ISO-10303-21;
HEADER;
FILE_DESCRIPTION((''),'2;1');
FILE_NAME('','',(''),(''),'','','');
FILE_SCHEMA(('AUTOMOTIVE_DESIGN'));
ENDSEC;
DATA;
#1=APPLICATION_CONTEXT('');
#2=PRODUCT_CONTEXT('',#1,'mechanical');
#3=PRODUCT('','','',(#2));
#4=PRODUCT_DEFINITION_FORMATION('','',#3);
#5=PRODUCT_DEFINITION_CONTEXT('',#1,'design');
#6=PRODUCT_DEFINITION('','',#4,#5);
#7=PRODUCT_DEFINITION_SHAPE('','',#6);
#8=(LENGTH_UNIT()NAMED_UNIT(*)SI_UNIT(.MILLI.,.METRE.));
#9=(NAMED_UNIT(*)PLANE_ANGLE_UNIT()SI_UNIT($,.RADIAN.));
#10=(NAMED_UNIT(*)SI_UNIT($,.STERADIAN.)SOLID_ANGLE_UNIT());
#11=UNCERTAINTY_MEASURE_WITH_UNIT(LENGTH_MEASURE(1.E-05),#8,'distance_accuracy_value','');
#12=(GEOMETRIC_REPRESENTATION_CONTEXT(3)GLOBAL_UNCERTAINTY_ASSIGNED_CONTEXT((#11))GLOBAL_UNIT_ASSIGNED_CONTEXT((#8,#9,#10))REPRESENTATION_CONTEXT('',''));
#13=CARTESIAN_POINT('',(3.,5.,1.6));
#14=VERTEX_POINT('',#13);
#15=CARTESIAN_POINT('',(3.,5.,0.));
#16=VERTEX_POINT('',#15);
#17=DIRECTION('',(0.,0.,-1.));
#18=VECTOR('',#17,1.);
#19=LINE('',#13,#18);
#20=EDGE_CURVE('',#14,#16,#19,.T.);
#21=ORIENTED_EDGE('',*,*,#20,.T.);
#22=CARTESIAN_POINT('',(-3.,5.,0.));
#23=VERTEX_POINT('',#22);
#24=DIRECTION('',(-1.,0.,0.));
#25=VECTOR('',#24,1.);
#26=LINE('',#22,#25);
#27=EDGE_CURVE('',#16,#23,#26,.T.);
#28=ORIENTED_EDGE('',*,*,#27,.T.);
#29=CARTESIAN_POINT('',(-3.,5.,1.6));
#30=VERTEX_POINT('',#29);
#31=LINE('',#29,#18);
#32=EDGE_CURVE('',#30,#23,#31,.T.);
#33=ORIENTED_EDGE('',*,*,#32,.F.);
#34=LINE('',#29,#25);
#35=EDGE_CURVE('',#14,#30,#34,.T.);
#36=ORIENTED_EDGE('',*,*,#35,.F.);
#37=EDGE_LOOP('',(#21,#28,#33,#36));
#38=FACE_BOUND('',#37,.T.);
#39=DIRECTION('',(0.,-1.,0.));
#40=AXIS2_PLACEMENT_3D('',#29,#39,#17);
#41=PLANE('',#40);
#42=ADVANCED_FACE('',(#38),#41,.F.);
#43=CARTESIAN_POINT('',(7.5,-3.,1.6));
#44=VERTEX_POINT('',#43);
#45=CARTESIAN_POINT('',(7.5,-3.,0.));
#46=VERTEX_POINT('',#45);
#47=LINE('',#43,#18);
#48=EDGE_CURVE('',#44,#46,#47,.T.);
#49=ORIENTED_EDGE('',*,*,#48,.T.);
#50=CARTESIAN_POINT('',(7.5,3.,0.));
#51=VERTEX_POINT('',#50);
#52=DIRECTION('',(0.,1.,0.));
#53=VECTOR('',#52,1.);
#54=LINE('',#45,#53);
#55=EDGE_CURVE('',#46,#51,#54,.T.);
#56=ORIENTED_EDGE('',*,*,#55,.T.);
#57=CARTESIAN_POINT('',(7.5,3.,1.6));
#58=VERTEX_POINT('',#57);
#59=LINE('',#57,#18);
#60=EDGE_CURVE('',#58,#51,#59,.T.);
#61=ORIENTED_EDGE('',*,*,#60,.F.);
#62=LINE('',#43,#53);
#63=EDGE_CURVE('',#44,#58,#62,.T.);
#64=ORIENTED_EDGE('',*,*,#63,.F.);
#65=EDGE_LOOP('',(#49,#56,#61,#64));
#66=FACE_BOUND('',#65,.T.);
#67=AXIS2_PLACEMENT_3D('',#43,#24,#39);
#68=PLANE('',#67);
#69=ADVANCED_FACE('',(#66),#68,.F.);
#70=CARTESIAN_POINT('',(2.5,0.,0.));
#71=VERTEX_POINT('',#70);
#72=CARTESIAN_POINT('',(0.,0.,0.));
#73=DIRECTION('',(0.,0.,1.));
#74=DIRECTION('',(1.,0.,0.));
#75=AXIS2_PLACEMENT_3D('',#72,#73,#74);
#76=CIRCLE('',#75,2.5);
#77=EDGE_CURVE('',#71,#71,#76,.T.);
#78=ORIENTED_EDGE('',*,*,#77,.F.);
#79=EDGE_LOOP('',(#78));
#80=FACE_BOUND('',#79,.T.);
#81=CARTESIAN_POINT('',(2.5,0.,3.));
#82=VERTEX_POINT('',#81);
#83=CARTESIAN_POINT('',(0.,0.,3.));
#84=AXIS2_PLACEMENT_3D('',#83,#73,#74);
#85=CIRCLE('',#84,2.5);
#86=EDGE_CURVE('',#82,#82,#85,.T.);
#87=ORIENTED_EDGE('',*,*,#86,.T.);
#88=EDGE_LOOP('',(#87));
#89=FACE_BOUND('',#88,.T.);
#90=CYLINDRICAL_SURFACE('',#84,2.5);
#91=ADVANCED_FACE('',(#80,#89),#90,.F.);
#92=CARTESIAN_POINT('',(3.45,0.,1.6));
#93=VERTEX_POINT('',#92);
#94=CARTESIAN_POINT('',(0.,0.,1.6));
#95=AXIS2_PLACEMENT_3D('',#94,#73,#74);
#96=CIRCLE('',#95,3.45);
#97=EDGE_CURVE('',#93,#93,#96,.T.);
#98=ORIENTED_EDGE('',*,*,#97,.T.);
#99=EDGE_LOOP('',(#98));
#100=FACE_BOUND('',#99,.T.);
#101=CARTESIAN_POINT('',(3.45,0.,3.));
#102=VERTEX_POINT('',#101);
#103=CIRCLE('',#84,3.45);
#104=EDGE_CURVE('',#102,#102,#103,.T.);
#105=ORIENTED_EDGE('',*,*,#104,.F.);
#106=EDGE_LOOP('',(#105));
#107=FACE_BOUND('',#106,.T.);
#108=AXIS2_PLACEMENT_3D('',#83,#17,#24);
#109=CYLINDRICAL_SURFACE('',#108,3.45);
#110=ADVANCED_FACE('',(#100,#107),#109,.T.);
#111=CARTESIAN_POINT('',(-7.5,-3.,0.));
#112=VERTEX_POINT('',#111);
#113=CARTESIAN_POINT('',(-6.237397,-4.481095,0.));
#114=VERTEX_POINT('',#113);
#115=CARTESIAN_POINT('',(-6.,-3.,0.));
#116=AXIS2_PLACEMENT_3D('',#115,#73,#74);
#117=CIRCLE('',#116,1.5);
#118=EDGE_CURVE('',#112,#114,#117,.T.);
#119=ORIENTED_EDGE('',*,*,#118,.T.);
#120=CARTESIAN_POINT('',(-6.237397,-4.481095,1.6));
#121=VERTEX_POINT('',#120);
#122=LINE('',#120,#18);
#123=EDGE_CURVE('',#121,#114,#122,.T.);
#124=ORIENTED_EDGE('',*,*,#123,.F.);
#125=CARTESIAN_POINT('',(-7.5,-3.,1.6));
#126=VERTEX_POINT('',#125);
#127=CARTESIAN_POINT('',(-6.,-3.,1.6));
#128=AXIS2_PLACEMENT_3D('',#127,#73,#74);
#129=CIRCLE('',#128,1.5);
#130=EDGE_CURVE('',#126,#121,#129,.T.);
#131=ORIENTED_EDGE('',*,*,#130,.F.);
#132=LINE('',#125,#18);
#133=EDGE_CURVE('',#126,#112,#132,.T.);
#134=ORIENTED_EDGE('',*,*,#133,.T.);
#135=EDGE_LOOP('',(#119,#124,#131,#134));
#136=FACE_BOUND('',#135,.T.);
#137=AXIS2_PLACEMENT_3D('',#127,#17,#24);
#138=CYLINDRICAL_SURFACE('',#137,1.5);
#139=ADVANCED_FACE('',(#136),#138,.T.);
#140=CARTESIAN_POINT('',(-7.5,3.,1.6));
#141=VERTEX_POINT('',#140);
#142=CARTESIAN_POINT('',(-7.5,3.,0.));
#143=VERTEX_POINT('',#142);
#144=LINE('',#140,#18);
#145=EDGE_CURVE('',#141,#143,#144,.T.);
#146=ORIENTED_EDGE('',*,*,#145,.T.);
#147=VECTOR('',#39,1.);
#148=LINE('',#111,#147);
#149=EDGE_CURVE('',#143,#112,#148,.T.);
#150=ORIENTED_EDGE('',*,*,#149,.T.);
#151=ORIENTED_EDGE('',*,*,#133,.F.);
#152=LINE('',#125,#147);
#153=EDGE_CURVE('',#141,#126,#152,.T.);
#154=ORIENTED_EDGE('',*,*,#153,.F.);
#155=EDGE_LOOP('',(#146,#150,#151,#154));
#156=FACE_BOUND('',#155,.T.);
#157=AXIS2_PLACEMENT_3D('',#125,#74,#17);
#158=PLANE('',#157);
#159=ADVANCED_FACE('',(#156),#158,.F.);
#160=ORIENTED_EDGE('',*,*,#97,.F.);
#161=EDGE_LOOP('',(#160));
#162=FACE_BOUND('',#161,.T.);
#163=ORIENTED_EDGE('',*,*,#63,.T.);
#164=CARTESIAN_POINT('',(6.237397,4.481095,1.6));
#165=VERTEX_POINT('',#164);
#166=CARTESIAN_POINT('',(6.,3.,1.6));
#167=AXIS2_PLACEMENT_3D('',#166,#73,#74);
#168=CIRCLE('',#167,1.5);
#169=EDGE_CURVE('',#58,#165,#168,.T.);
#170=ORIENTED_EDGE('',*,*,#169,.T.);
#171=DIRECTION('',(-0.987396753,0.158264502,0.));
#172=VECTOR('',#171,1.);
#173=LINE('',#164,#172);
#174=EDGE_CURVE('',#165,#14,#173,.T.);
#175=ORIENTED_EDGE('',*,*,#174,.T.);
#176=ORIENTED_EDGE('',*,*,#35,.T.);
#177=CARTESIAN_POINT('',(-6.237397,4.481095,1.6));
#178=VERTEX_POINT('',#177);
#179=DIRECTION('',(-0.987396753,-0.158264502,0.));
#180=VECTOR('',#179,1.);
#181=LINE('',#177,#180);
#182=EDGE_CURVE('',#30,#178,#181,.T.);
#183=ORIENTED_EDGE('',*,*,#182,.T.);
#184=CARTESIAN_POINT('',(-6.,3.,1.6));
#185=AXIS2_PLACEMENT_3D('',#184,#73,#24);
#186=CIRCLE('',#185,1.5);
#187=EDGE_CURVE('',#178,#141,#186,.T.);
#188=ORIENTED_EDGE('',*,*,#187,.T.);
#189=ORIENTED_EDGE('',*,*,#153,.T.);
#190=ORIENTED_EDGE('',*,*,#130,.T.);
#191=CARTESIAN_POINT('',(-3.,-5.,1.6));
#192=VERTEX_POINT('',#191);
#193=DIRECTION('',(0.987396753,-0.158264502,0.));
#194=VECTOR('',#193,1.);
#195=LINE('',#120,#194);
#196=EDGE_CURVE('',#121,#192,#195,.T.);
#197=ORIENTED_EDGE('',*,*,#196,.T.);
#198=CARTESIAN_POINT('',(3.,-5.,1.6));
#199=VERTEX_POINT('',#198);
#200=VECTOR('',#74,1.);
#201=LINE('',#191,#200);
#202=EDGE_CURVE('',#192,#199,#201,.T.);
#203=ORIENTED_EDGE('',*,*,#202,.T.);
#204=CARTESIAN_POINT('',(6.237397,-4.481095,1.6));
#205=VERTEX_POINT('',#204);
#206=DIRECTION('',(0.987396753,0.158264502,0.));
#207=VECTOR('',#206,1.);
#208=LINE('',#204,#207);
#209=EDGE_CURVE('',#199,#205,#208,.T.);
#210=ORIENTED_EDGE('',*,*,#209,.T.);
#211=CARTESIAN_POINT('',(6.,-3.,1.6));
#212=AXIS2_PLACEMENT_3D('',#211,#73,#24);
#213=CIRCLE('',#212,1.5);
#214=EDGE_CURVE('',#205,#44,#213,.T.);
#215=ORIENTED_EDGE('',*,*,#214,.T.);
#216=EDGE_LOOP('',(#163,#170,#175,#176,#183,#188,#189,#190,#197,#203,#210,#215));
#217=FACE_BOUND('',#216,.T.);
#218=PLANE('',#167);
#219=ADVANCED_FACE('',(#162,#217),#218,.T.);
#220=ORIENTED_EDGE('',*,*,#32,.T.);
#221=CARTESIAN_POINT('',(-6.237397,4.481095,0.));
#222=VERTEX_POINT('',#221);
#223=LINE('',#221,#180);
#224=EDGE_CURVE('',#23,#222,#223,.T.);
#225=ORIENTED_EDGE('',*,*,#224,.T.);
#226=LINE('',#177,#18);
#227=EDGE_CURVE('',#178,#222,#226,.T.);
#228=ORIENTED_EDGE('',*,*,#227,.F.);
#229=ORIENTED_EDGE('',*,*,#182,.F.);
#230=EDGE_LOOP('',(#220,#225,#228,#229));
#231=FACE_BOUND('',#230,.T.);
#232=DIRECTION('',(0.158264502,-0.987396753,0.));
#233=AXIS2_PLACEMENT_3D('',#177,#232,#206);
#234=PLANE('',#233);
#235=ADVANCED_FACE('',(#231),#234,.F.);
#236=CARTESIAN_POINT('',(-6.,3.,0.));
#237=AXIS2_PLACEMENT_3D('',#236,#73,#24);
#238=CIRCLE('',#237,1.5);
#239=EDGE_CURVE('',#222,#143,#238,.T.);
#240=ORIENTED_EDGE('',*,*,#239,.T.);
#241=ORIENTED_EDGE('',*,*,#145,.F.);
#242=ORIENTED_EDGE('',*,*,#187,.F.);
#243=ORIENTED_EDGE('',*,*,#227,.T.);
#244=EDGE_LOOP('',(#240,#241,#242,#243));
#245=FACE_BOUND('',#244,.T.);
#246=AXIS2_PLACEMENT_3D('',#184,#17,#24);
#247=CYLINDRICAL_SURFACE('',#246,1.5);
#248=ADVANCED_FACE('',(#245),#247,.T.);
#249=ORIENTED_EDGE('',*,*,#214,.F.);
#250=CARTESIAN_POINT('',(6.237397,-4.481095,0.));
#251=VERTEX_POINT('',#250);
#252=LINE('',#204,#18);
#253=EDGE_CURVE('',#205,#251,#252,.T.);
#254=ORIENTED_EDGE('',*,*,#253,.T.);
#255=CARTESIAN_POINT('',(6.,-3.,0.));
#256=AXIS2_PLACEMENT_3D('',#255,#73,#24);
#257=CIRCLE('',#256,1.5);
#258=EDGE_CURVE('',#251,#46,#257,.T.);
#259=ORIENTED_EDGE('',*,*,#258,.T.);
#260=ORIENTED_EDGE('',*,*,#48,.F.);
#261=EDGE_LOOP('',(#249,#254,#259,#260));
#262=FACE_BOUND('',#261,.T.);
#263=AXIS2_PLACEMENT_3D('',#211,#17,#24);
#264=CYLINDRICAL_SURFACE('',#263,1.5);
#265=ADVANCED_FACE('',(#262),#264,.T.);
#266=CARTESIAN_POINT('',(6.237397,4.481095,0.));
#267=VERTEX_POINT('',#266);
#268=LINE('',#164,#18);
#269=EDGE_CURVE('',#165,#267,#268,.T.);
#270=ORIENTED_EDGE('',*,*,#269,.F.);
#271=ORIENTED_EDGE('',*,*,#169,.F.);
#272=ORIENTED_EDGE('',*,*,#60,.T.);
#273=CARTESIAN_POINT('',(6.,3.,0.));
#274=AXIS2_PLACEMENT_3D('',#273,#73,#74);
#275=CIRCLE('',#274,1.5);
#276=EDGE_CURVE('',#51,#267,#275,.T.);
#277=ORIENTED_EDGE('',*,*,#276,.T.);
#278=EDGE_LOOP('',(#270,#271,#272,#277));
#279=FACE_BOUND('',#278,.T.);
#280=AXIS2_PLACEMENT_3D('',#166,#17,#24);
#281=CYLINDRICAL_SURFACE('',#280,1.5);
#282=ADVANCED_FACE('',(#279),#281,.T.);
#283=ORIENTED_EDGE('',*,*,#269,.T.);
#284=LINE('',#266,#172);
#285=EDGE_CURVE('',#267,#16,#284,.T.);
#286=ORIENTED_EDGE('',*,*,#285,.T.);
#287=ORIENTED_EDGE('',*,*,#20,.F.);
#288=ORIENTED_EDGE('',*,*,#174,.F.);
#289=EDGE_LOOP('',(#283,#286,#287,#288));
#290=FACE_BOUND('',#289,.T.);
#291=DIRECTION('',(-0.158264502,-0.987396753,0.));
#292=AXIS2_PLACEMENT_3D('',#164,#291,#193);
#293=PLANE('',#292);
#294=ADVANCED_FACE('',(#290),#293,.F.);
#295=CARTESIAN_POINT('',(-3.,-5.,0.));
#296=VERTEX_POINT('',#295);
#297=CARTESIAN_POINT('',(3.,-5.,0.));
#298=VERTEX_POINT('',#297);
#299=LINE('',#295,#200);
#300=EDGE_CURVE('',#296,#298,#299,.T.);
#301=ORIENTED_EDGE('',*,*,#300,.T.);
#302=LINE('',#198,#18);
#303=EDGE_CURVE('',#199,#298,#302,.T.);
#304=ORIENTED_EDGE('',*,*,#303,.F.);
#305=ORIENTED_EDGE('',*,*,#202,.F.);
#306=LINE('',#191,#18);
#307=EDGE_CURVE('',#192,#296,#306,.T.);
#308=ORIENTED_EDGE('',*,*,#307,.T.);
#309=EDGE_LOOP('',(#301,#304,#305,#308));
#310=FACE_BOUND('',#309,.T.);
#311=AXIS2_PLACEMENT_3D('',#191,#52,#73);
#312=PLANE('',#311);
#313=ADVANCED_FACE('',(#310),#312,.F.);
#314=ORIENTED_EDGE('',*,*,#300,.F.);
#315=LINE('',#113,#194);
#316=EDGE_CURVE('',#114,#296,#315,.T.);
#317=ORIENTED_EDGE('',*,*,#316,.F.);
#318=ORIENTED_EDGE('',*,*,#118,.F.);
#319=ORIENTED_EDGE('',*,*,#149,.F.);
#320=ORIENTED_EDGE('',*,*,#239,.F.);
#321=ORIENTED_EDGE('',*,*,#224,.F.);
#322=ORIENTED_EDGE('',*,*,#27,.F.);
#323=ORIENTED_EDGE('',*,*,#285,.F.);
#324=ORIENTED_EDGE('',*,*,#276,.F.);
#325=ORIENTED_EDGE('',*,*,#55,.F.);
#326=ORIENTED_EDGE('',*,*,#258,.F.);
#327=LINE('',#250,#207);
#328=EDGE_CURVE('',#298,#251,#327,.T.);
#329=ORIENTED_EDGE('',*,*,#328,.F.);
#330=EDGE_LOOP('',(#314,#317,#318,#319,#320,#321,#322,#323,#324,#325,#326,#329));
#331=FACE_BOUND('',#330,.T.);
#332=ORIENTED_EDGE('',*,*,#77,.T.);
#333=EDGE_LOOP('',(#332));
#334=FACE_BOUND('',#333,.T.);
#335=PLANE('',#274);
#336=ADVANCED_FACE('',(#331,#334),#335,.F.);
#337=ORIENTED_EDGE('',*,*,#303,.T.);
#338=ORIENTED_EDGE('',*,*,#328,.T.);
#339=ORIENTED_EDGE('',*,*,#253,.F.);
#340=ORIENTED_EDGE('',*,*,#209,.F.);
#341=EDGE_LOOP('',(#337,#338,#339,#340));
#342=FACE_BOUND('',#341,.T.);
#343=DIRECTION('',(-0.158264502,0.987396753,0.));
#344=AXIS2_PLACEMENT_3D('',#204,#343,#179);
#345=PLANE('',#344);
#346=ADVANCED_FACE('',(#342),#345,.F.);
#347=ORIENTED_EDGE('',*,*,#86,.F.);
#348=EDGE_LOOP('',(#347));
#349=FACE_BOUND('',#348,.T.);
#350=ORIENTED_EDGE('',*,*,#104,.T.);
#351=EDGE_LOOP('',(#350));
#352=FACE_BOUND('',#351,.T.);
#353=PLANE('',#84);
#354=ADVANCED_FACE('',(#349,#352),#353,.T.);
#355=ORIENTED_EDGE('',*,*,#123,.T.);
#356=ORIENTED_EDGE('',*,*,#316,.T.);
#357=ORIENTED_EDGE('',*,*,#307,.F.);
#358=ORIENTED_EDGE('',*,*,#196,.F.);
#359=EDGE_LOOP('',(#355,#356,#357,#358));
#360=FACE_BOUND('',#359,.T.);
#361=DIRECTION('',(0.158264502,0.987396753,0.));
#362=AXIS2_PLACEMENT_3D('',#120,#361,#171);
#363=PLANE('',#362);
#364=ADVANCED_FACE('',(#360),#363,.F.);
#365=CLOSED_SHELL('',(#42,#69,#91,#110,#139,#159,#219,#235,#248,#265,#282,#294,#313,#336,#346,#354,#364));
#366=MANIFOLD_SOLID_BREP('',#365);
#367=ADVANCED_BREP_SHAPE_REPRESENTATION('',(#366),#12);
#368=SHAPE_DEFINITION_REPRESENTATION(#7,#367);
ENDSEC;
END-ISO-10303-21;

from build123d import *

# Parameters (mm, degrees)
BOSS_EXTRUDE1_DEPTH   = 1.6
SKETCH2_R             = 3.45
BOSS_EXTRUDE2_DEPTH   = 1.4
M6X1_0_TAPPED_HOLE1_D = 5


with BuildPart() as part:
    # Sketch1 → Boss-Extrude1 (new body)
    with BuildSketch(Plane.XY):
        with BuildLine():
            Line((-6.237396753, 4.481095129), (-3, 5))
            Line((-3, 5), (3, 5))
            Line((3, 5), (6.237396753, 4.481095129))
            ThreePointArc((6.237396753, 4.481095129), (7.141511088, 3.973114811), (7.5, 3))
            Line((7.5, 3), (7.5, -3))
            ThreePointArc((7.5, -3), (7.141511088, -3.973114811), (6.237396753, -4.481095129))
            Line((6.237396753, -4.481095129), (3, -5))
            Line((3, -5), (-3, -5))
            Line((-3, -5), (-6.237396753, -4.481095129))
            ThreePointArc((-6.237396753, -4.481095129), (-7.141511088, -3.973114811), (-7.5, -3))
            Line((-7.5, -3), (-7.5, 3))
            ThreePointArc((-7.5, 3), (-7.141511088, 3.973114811), (-6.237396753, 4.481095129))
        make_face()
    extrude(amount=BOSS_EXTRUDE1_DEPTH)

    # Sketch2 → Boss-Extrude2 (add)
    with BuildSketch(Plane.XY.offset(1.6)):
        Circle(SKETCH2_R)
    extrude(amount=BOSS_EXTRUDE2_DEPTH)

    # M6x1.0 Tapped Hole1 (through all)
    with Locations(Plane.XY.offset(3)):
        with Locations((0, 0)):
            Hole(M6X1_0_TAPPED_HOLE1_D / 2)


solid = part.part
